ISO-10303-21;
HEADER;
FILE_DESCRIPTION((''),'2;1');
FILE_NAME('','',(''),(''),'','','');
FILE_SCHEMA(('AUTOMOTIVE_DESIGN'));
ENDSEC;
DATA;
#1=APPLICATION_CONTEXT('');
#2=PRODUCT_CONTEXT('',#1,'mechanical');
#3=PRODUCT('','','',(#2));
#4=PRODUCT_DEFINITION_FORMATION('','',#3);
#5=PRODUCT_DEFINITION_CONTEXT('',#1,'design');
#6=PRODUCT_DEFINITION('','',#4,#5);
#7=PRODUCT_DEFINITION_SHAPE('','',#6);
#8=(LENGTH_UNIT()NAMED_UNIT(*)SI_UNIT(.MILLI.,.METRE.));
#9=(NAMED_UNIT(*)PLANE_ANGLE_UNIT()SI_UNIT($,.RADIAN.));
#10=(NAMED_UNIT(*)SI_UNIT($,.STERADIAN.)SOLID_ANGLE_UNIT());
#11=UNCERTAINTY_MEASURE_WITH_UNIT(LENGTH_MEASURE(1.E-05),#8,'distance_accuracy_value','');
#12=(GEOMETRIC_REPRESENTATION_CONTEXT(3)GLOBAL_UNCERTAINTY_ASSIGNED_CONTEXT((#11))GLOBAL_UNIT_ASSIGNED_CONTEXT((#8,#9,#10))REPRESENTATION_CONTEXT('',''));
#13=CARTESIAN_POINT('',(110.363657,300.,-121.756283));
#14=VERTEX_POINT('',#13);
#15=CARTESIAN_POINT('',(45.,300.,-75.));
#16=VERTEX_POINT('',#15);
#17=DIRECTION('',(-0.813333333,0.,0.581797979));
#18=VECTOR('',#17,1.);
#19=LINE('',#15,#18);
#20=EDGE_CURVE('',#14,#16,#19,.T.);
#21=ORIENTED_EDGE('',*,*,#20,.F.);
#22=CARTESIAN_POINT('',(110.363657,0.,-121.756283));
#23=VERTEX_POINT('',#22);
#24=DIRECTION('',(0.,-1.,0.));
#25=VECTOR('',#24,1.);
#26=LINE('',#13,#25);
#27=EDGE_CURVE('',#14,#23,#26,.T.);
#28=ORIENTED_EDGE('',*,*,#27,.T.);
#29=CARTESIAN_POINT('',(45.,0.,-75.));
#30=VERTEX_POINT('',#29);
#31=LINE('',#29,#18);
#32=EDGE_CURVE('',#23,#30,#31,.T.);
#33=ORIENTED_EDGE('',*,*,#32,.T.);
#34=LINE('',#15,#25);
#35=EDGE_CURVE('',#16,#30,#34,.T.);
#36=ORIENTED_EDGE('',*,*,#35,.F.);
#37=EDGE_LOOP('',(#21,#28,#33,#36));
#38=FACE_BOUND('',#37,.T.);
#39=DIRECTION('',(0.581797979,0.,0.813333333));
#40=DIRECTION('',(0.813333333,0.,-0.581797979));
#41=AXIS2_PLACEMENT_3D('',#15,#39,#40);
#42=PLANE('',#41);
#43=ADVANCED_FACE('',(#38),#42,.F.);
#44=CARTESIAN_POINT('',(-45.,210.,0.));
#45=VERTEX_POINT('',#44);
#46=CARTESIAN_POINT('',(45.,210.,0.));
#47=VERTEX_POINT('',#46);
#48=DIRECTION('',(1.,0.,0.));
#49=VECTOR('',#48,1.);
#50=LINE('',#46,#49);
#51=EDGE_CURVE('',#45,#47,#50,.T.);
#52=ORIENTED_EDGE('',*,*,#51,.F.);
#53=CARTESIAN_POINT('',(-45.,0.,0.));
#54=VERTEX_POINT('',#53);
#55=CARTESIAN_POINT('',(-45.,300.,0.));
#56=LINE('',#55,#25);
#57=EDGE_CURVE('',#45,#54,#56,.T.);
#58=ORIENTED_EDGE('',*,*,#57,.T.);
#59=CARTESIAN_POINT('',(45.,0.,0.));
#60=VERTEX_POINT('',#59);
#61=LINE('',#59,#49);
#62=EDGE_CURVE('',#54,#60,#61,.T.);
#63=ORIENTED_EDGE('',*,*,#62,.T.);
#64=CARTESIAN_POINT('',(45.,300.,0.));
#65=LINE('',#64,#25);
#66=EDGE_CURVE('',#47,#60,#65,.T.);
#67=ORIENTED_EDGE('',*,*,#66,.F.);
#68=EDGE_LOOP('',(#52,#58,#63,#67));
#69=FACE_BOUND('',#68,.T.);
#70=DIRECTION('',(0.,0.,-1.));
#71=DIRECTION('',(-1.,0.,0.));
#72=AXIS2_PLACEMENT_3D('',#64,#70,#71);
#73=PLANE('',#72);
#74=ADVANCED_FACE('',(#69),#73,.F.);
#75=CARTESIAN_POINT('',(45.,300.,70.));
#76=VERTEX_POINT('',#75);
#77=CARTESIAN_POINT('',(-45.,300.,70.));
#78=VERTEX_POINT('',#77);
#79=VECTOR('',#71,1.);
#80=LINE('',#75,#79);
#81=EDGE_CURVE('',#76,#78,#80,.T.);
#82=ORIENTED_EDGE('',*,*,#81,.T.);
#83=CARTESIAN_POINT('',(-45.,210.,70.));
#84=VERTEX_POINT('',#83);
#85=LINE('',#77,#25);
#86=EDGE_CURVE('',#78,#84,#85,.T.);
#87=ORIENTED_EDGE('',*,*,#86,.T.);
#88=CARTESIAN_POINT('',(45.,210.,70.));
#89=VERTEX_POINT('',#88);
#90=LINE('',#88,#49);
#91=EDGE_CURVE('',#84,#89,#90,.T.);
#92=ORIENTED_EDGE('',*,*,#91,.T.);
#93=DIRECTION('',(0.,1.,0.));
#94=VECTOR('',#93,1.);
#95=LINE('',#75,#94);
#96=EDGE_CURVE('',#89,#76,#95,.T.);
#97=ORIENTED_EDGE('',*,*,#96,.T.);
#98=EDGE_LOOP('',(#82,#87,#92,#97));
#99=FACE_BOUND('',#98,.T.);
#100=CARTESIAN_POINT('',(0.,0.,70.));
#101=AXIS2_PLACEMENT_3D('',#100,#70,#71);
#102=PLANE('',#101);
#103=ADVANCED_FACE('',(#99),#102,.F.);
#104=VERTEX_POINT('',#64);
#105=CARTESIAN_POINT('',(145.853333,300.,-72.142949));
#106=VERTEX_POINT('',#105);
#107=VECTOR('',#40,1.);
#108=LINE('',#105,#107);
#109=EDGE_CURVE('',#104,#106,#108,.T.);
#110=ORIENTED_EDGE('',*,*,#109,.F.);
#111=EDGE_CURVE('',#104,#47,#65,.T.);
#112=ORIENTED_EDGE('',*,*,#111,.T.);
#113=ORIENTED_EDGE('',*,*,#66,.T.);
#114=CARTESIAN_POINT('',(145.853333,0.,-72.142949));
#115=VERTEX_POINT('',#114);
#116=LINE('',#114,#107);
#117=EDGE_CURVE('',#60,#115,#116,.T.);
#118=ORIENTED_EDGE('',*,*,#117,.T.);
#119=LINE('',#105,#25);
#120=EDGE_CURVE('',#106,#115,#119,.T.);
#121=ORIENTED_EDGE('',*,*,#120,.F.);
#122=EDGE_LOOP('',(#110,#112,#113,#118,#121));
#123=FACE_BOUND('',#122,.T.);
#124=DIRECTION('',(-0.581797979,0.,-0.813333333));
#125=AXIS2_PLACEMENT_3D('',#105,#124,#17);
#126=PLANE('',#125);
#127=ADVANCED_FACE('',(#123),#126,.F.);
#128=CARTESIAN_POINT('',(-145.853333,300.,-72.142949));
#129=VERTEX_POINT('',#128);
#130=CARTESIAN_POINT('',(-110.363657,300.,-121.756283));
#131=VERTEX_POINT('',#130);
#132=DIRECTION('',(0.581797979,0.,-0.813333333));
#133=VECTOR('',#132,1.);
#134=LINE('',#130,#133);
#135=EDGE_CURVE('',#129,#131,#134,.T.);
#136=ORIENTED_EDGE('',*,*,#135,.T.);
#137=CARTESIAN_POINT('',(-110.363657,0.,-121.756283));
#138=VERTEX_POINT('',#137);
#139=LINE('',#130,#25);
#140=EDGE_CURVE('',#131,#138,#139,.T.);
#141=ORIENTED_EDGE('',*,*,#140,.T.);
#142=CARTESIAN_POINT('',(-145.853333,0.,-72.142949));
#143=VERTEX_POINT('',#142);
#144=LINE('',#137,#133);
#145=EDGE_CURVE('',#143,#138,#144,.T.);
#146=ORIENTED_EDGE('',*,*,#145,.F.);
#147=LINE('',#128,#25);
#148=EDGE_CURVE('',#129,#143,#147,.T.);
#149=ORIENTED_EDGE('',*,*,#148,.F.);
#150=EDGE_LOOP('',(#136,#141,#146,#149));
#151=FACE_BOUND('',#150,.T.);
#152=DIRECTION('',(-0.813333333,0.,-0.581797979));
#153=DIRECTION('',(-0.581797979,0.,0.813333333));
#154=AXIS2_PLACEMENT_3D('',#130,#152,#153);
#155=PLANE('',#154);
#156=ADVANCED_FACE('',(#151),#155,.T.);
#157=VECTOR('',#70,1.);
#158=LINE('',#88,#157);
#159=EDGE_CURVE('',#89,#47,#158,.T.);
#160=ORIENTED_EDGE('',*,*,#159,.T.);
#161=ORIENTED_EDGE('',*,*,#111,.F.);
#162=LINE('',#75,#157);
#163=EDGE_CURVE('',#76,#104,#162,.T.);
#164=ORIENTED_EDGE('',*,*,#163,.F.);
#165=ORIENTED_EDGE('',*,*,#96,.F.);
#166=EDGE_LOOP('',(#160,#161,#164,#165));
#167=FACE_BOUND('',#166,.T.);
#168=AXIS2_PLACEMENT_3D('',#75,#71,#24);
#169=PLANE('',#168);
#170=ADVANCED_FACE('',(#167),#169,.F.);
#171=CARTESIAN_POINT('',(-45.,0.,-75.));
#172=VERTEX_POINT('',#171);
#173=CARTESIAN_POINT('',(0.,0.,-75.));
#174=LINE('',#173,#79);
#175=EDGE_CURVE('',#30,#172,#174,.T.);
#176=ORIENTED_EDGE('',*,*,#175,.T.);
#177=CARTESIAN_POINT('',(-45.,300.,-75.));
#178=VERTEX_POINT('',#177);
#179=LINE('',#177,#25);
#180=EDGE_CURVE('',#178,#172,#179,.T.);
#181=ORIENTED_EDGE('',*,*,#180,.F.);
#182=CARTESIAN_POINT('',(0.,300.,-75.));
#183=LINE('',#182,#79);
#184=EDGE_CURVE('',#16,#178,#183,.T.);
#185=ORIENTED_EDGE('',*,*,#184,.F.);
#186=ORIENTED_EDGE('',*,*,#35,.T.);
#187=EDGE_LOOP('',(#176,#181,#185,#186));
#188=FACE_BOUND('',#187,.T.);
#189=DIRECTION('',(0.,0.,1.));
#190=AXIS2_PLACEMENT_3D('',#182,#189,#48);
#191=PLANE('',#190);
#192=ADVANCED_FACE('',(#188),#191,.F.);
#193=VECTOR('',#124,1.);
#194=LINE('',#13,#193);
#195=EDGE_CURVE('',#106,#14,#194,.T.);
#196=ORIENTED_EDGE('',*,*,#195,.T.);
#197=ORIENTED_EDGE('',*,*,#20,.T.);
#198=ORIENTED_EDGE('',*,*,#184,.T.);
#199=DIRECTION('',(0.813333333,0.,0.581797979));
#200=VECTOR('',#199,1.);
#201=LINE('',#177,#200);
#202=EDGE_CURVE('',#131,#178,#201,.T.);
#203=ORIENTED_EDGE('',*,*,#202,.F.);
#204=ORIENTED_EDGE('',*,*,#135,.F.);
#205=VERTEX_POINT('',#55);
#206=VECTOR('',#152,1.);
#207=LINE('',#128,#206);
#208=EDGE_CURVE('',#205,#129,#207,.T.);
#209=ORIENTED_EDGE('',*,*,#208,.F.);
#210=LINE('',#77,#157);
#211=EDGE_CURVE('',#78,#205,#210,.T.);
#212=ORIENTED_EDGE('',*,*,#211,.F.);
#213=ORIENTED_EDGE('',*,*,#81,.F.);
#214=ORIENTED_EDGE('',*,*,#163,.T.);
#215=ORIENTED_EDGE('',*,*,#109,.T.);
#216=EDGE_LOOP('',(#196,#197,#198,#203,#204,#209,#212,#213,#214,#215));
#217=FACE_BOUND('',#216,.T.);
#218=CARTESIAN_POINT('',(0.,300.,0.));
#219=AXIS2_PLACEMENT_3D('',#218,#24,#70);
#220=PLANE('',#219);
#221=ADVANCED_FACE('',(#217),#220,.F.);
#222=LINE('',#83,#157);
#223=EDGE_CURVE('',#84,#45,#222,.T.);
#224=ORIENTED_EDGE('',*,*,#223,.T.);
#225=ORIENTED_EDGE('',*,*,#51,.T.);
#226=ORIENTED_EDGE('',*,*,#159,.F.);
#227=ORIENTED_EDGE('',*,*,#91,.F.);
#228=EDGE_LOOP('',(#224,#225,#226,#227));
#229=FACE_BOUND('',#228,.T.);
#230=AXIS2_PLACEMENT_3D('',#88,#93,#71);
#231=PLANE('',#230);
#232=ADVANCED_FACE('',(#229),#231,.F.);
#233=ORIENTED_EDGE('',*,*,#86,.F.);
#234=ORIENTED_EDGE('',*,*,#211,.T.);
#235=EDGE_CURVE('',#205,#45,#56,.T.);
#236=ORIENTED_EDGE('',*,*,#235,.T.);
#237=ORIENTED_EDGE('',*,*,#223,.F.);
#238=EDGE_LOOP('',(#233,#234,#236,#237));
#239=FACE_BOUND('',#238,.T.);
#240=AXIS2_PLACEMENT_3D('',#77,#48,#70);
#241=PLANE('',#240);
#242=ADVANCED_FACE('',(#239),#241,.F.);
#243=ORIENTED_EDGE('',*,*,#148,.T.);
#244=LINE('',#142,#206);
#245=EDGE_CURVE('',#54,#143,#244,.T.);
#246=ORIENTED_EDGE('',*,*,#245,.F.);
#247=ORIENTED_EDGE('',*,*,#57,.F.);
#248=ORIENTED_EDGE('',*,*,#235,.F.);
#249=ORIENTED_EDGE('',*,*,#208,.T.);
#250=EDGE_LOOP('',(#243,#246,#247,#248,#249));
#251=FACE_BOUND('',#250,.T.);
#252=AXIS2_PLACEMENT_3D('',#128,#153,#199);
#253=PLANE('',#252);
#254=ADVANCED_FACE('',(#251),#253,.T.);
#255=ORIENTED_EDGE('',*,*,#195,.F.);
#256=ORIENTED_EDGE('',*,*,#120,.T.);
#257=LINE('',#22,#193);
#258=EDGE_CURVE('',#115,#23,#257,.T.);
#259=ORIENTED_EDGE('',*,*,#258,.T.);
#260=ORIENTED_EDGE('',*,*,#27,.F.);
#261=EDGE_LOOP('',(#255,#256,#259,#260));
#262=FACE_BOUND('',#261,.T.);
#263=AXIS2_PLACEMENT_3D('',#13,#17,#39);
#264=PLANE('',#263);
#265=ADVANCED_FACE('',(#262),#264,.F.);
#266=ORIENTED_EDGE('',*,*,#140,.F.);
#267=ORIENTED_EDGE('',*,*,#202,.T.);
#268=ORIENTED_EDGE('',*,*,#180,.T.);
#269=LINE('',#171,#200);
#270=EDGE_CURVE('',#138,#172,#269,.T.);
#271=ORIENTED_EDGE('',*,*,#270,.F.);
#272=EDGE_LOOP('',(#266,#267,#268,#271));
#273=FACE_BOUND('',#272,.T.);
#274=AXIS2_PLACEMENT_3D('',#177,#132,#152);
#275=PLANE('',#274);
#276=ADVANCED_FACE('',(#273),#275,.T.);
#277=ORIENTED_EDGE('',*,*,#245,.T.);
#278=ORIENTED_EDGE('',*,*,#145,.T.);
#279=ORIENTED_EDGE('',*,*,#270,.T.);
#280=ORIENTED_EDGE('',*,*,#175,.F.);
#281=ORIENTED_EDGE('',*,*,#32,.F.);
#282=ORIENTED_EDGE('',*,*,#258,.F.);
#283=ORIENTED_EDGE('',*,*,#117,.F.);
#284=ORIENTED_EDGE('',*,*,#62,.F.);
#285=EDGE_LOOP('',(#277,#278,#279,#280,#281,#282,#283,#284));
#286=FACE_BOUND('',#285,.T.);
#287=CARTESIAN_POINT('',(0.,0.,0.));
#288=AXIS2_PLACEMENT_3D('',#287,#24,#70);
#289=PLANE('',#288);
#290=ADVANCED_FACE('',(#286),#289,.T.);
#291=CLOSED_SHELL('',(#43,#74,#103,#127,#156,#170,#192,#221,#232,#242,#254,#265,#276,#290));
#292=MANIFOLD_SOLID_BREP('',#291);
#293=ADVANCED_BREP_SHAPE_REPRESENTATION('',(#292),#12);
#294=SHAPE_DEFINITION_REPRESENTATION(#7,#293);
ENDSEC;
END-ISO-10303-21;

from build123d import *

# Parameters (mm, degrees)
BOSS_EXTRUDE1_DEPTH = 300
SKETCH3_W           = 90
SKETCH3_H           = 90
BOSS_EXTRUDE2_DEPTH = 70


with BuildPart() as part:
    # Sketch2 → Boss-Extrude1 (new body)
    with BuildSketch(Plane(origin=(0, 0, 0), x_dir=(1, 0, 0), z_dir=(0, 1, 0))):
        Polygon((0, 0), (0, 75), (45, 75), (110.363656587, 121.756282785), (145.853333333, 72.142949451), (45, 0), align=None)
    boss_extrude1 = extrude(amount=BOSS_EXTRUDE1_DEPTH)

    # Mirror1: Boss-Extrude1 across plane
    add(boss_extrude1.mirror(Plane(origin=(0, 0, 0), x_dir=(0, 0, 1), z_dir=(1, 0, 0))))

    # Sketch3 → Boss-Extrude2 (add)
    with BuildSketch(Plane.XY):
        with Locations((0, 255)):
            Rectangle(SKETCH3_W, SKETCH3_H)
    extrude(amount=BOSS_EXTRUDE2_DEPTH)


solid = part.part
